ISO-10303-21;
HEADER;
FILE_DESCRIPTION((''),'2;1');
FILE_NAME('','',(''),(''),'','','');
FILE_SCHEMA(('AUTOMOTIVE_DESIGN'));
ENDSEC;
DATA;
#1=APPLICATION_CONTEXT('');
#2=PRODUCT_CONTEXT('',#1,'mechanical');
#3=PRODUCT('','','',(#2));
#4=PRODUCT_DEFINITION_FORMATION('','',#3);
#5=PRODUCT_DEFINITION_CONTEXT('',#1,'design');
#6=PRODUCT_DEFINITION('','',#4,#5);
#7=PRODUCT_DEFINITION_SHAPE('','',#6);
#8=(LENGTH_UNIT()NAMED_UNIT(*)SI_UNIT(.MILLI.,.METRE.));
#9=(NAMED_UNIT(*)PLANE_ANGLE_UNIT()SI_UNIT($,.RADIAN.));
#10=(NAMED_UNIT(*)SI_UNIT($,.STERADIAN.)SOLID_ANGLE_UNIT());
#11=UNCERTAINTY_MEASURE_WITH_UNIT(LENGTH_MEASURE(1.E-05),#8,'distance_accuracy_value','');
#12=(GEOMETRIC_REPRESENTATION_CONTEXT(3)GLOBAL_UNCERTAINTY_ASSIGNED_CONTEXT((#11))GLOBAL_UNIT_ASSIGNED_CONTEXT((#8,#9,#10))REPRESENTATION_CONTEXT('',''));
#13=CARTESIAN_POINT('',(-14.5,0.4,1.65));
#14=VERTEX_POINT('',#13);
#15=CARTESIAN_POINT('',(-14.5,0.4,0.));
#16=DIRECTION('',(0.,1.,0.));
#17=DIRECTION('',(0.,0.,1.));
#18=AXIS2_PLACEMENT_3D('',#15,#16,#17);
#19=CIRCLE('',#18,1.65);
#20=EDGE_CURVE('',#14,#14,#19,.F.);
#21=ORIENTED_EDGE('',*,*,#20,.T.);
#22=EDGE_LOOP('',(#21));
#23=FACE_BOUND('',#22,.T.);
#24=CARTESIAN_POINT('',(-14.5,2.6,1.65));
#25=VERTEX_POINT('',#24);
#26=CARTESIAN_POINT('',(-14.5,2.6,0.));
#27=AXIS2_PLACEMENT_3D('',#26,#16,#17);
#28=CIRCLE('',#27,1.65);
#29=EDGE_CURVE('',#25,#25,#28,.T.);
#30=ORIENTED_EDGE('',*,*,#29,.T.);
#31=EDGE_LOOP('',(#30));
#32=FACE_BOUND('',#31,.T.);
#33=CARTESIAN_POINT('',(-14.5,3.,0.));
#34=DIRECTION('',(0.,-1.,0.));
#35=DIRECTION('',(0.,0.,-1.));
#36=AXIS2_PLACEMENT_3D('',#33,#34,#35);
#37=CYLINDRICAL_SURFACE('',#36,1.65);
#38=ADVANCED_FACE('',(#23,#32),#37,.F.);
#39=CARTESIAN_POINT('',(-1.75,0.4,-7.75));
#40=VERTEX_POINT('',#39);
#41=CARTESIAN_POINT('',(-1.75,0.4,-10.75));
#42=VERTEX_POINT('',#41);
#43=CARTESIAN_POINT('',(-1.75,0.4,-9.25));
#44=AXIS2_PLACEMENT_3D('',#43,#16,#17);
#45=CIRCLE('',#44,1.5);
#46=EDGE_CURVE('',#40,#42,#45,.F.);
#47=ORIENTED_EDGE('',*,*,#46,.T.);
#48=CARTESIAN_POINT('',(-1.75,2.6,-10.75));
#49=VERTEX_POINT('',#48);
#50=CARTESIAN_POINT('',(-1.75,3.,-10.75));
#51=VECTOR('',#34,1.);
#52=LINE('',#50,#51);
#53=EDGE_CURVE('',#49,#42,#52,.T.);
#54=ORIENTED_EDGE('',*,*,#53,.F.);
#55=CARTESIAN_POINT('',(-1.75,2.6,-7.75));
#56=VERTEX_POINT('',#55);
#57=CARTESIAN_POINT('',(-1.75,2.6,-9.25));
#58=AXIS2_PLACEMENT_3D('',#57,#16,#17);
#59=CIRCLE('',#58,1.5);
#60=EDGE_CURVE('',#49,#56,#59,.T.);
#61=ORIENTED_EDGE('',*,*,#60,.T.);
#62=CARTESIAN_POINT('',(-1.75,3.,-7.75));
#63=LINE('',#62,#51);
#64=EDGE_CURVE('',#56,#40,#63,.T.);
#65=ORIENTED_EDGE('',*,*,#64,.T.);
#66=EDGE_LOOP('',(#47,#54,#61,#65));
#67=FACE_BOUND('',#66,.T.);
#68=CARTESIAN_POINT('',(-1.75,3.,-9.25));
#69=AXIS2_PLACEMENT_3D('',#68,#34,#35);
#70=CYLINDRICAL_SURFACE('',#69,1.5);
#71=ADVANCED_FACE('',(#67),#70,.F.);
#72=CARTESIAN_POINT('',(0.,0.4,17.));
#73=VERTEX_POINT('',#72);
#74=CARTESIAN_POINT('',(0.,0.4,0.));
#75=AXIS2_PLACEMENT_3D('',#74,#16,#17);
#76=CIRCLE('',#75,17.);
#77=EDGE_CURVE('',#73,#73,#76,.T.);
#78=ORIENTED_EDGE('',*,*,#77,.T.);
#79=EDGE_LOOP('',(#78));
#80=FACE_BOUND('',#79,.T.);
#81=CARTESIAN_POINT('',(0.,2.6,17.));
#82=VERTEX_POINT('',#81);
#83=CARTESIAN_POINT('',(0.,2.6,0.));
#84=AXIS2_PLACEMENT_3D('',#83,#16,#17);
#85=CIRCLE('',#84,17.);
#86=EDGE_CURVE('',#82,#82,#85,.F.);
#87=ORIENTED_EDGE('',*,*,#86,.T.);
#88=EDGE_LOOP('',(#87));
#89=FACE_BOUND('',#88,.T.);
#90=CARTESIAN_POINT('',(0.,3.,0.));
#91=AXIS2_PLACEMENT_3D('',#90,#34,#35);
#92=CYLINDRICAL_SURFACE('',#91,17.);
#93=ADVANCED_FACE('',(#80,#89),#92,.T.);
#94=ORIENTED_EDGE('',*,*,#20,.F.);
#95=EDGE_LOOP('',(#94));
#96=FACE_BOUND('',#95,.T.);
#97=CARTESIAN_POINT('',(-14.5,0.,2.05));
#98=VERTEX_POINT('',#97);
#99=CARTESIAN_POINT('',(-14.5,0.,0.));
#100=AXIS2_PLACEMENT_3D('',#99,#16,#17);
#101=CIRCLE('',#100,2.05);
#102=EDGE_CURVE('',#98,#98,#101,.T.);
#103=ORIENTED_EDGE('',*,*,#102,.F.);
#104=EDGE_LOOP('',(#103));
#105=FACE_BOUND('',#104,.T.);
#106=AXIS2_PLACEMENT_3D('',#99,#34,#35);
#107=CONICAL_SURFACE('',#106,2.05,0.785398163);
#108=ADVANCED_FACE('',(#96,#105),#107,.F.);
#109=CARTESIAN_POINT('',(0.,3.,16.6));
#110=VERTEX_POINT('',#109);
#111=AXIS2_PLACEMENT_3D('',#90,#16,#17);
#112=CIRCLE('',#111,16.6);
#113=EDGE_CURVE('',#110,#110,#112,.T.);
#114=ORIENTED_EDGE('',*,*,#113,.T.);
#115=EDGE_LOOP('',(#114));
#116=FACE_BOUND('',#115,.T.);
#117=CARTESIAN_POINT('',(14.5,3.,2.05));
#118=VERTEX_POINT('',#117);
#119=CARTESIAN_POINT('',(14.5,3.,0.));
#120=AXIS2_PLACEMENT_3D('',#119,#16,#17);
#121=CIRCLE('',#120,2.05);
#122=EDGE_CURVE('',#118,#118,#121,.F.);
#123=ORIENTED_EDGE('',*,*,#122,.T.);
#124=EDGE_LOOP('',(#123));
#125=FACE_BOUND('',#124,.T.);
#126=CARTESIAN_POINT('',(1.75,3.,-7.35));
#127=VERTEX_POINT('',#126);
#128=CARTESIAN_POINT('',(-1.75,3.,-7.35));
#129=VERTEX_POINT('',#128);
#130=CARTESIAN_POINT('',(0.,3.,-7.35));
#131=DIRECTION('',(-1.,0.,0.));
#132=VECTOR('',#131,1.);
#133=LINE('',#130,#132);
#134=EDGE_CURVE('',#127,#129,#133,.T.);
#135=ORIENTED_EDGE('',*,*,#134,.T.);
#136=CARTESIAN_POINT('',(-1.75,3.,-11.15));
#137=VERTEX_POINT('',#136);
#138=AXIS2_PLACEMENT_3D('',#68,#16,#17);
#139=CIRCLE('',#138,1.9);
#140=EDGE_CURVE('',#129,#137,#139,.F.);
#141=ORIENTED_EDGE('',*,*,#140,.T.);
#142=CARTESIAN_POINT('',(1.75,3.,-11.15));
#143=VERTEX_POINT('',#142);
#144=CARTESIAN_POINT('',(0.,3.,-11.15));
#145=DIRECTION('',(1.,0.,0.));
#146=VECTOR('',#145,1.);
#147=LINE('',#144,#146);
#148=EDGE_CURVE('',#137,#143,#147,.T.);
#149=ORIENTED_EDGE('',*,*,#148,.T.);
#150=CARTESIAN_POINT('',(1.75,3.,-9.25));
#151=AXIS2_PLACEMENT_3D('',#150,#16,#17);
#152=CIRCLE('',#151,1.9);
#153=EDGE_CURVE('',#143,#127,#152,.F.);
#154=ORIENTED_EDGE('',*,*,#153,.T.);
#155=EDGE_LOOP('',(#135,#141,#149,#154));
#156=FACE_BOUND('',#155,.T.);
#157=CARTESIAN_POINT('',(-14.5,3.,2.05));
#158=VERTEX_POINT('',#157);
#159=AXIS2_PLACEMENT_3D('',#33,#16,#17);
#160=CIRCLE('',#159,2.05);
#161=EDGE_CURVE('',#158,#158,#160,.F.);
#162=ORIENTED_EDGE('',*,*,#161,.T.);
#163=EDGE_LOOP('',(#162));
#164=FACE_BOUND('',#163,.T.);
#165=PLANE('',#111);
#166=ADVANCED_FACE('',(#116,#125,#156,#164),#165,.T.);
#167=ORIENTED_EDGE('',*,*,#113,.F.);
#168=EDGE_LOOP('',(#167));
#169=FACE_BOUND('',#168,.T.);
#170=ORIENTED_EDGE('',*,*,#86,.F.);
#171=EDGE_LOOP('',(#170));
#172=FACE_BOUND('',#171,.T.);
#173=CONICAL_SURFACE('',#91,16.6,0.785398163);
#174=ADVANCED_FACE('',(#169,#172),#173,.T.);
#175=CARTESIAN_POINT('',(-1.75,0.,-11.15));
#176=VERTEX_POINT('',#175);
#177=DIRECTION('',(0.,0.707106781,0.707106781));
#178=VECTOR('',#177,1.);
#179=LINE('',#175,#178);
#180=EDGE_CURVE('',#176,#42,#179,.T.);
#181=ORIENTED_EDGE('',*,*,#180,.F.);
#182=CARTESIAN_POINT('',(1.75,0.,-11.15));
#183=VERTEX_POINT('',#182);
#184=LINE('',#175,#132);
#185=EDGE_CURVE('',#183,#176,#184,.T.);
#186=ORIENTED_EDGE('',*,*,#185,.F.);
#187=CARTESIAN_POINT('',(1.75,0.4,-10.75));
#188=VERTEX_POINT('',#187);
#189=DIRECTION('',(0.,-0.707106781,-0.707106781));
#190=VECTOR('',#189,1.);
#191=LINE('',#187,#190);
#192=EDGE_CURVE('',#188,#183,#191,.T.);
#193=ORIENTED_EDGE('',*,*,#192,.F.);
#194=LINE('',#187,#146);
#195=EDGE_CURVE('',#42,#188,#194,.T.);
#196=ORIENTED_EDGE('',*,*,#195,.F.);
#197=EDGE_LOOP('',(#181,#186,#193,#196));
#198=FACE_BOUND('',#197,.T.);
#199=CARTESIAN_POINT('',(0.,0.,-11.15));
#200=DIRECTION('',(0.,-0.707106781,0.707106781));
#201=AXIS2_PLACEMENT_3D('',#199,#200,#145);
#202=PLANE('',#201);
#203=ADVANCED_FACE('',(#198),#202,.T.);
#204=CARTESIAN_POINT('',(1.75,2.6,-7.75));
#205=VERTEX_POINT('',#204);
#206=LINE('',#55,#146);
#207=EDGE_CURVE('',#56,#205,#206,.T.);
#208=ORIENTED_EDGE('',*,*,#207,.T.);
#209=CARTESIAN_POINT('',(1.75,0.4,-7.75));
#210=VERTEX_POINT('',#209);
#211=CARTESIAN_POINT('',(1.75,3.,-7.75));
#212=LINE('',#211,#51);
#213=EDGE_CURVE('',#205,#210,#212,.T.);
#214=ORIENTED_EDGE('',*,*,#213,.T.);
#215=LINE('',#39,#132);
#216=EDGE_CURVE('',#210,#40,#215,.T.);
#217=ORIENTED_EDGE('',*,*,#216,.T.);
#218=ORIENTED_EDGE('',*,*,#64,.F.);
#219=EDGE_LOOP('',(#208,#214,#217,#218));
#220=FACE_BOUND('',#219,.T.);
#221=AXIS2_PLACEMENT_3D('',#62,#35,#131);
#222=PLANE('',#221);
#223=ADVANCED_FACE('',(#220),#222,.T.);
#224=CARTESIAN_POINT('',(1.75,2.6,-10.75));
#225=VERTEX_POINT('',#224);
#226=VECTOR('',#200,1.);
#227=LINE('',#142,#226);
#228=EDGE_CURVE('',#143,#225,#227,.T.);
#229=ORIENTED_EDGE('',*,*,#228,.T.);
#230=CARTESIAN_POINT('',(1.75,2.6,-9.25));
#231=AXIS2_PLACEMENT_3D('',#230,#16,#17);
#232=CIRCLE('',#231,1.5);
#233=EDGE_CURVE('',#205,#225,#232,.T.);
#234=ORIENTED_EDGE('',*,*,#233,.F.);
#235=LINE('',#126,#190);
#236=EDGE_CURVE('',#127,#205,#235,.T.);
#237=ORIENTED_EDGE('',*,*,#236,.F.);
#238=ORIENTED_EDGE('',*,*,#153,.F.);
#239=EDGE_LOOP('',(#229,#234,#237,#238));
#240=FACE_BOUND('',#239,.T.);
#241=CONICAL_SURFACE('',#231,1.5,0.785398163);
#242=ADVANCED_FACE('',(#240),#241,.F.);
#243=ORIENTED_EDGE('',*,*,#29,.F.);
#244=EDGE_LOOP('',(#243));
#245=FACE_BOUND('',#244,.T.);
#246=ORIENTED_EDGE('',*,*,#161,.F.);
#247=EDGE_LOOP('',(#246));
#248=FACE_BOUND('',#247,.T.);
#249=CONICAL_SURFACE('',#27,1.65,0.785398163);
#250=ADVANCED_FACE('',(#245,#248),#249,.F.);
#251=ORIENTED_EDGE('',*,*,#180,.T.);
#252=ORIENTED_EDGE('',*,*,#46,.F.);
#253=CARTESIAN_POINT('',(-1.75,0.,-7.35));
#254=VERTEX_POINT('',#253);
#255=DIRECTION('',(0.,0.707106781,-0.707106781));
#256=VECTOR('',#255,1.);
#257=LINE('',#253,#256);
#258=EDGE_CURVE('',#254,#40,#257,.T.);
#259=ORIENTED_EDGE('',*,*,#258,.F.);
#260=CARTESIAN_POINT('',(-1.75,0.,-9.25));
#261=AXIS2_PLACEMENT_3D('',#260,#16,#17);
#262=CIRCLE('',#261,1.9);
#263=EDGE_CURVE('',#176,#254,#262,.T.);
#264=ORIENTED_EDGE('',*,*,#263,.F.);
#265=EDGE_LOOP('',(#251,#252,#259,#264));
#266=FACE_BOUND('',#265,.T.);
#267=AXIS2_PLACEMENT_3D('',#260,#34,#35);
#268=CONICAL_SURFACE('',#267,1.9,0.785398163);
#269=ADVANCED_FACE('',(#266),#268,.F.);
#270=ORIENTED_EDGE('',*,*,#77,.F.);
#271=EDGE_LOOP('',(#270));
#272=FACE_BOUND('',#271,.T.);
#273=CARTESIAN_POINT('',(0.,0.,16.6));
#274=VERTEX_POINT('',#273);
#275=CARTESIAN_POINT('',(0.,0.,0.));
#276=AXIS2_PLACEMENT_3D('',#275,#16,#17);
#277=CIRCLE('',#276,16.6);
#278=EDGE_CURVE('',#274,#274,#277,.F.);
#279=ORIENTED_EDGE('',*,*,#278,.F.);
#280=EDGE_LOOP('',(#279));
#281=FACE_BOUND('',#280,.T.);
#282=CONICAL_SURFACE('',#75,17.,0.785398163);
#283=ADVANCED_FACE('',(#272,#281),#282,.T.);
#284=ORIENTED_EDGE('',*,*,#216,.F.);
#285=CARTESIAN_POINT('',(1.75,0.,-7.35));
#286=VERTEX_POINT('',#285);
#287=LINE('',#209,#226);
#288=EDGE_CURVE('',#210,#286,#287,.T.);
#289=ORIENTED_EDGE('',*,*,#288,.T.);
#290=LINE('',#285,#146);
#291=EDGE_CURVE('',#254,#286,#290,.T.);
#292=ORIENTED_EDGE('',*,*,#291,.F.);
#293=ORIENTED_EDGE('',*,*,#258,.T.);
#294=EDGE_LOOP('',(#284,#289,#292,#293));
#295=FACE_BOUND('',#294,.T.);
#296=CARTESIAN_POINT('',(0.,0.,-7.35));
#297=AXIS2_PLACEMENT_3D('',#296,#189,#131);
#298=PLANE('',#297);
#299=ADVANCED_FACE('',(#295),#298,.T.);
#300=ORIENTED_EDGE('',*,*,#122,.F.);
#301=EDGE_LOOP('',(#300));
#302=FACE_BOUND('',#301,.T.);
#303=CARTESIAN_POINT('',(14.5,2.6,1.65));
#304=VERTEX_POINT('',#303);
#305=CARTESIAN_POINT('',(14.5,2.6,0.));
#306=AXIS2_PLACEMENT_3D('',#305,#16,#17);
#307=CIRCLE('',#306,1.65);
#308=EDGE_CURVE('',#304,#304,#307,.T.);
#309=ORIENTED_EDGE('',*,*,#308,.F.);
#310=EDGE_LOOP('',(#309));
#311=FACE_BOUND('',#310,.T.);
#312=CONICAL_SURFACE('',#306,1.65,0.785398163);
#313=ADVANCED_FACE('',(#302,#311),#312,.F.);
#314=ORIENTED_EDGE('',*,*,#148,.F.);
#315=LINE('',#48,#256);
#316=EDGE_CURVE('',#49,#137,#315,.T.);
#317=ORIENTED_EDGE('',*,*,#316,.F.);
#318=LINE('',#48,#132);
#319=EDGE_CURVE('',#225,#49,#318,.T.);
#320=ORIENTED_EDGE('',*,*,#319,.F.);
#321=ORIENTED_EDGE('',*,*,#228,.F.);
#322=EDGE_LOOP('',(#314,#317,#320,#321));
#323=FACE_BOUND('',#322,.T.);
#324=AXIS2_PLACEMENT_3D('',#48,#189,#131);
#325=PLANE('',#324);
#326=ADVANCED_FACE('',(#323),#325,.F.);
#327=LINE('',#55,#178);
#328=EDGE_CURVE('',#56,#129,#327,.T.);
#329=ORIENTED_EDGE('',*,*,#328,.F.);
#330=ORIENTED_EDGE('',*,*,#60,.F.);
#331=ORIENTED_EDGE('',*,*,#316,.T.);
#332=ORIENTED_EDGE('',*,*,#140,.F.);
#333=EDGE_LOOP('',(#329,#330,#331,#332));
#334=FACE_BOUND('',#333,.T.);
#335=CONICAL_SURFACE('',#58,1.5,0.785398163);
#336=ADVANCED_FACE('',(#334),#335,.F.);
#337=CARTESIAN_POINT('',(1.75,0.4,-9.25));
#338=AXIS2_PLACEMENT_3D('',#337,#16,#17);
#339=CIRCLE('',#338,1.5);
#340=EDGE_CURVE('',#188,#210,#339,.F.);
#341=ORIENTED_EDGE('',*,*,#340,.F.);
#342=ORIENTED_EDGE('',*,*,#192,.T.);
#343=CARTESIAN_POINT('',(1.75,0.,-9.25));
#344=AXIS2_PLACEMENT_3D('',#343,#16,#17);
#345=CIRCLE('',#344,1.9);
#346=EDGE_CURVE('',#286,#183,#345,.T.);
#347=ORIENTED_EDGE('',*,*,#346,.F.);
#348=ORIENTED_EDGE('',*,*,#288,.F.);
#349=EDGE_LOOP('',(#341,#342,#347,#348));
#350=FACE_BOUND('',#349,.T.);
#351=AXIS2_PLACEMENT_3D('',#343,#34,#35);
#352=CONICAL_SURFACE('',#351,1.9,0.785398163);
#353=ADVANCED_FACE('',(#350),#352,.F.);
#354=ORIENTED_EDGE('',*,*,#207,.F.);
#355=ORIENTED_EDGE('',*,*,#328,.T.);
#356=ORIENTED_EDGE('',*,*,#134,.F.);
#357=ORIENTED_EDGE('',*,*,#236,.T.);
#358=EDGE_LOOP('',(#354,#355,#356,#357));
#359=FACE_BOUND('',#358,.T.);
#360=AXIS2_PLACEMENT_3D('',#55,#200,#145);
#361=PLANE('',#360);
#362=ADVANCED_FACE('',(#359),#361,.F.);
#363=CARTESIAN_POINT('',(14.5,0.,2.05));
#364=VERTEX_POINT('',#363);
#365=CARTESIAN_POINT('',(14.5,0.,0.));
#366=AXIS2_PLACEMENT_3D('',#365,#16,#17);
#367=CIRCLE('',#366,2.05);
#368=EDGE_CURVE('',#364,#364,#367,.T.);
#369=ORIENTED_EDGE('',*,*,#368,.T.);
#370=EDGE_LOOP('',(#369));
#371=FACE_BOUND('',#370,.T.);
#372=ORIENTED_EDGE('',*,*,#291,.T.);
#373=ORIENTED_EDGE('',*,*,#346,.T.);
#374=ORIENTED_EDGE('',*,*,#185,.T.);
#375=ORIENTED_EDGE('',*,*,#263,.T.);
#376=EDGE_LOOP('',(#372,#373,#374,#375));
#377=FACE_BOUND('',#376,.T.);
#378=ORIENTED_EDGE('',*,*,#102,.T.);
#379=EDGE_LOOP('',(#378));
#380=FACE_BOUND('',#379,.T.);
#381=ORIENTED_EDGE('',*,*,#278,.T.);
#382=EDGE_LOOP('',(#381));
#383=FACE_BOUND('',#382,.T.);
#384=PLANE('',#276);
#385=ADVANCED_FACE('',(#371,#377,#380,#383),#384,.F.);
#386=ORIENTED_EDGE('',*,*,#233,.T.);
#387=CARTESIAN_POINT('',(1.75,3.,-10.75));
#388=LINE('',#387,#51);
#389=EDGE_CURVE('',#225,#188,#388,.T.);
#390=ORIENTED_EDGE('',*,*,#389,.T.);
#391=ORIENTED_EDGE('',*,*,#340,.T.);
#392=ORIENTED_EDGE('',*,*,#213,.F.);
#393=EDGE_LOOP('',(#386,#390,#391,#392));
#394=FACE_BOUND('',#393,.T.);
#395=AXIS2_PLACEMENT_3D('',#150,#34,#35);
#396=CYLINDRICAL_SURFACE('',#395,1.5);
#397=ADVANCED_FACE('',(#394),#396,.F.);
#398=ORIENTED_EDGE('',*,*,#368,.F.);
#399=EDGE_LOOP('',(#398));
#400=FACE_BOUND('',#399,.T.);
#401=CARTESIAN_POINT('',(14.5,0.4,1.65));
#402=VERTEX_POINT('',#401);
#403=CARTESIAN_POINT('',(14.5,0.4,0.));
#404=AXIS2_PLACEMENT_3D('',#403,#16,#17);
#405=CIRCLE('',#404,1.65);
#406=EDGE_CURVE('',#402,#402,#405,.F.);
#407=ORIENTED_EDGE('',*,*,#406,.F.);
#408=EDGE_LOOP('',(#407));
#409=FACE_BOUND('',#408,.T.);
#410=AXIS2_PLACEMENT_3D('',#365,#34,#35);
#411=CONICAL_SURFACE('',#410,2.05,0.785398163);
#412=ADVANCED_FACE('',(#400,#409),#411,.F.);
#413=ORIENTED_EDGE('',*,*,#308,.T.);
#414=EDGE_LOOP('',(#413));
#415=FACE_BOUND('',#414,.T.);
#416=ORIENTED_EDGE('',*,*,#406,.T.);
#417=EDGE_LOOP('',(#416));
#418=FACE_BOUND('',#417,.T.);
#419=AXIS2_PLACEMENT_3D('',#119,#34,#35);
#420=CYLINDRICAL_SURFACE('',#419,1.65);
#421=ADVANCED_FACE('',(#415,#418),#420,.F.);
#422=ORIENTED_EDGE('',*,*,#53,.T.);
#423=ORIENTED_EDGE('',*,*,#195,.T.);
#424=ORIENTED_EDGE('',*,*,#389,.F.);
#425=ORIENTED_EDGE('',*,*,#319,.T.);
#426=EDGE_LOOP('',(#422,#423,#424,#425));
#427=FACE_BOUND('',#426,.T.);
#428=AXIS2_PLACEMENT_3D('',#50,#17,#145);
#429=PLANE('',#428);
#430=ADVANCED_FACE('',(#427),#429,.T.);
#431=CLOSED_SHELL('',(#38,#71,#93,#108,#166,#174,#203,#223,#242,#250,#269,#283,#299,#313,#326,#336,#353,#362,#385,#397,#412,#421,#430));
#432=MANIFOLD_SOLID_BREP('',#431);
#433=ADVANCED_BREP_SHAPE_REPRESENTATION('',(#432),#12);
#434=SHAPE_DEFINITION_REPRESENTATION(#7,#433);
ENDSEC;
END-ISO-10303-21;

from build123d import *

# Parameters (mm, degrees)
SKETCH1_R           = 17
SKETCH1_R_2         = 1.65
BOSS_EXTRUDE1_DEPTH = 3
CHAMFER1_SIZE       = 0.4


with BuildPart() as part:
    # Sketch1 → Boss-Extrude1 (new body)
    with BuildSketch(Plane(origin=(0, 0, 0), x_dir=(1, 0, 0), z_dir=(0, 1, 0))):
        Circle(SKETCH1_R)
        with Locations((-14.5, 0)):
            Circle(SKETCH1_R_2, mode=Mode.SUBTRACT)
        with Locations((14.5, 0)):
            Circle(SKETCH1_R_2, mode=Mode.SUBTRACT)
        with BuildLine():
            Line((-1.75, 7.75), (1.75, 7.75))
            ThreePointArc((1.75, 7.75), (3.25, 9.25), (1.75, 10.75))
            Line((1.75, 10.75), (-1.75, 10.75))
            ThreePointArc((-1.75, 10.75), (-3.25, 9.25), (-1.75, 7.75))
        make_face(mode=Mode.SUBTRACT)
    extrude(amount=BOSS_EXTRUDE1_DEPTH)

    # Chamfer1
    chamfer1_edges = [part.edges().sort_by_distance(p)[0] for p in [
        (-3.25, 3, -9.25),
        (0, 3, -7.75),
        (-16.15, 0, 0),
        (-16.15, 3, 0),
        (-17, 0, 0),
        (12.85, 0, 0),
        (12.85, 3, 0),
        (-17, 3, 0),
        (3.25, 0, -9.25),
        (0, 0, -10.75),
        (-3.25, 0, -9.25),
        (0, 0, -7.75),
        (3.25, 3, -9.25),
        (0, 3, -10.75),
    ]]
    chamfer(chamfer1_edges, length=CHAMFER1_SIZE)


solid = part.part
